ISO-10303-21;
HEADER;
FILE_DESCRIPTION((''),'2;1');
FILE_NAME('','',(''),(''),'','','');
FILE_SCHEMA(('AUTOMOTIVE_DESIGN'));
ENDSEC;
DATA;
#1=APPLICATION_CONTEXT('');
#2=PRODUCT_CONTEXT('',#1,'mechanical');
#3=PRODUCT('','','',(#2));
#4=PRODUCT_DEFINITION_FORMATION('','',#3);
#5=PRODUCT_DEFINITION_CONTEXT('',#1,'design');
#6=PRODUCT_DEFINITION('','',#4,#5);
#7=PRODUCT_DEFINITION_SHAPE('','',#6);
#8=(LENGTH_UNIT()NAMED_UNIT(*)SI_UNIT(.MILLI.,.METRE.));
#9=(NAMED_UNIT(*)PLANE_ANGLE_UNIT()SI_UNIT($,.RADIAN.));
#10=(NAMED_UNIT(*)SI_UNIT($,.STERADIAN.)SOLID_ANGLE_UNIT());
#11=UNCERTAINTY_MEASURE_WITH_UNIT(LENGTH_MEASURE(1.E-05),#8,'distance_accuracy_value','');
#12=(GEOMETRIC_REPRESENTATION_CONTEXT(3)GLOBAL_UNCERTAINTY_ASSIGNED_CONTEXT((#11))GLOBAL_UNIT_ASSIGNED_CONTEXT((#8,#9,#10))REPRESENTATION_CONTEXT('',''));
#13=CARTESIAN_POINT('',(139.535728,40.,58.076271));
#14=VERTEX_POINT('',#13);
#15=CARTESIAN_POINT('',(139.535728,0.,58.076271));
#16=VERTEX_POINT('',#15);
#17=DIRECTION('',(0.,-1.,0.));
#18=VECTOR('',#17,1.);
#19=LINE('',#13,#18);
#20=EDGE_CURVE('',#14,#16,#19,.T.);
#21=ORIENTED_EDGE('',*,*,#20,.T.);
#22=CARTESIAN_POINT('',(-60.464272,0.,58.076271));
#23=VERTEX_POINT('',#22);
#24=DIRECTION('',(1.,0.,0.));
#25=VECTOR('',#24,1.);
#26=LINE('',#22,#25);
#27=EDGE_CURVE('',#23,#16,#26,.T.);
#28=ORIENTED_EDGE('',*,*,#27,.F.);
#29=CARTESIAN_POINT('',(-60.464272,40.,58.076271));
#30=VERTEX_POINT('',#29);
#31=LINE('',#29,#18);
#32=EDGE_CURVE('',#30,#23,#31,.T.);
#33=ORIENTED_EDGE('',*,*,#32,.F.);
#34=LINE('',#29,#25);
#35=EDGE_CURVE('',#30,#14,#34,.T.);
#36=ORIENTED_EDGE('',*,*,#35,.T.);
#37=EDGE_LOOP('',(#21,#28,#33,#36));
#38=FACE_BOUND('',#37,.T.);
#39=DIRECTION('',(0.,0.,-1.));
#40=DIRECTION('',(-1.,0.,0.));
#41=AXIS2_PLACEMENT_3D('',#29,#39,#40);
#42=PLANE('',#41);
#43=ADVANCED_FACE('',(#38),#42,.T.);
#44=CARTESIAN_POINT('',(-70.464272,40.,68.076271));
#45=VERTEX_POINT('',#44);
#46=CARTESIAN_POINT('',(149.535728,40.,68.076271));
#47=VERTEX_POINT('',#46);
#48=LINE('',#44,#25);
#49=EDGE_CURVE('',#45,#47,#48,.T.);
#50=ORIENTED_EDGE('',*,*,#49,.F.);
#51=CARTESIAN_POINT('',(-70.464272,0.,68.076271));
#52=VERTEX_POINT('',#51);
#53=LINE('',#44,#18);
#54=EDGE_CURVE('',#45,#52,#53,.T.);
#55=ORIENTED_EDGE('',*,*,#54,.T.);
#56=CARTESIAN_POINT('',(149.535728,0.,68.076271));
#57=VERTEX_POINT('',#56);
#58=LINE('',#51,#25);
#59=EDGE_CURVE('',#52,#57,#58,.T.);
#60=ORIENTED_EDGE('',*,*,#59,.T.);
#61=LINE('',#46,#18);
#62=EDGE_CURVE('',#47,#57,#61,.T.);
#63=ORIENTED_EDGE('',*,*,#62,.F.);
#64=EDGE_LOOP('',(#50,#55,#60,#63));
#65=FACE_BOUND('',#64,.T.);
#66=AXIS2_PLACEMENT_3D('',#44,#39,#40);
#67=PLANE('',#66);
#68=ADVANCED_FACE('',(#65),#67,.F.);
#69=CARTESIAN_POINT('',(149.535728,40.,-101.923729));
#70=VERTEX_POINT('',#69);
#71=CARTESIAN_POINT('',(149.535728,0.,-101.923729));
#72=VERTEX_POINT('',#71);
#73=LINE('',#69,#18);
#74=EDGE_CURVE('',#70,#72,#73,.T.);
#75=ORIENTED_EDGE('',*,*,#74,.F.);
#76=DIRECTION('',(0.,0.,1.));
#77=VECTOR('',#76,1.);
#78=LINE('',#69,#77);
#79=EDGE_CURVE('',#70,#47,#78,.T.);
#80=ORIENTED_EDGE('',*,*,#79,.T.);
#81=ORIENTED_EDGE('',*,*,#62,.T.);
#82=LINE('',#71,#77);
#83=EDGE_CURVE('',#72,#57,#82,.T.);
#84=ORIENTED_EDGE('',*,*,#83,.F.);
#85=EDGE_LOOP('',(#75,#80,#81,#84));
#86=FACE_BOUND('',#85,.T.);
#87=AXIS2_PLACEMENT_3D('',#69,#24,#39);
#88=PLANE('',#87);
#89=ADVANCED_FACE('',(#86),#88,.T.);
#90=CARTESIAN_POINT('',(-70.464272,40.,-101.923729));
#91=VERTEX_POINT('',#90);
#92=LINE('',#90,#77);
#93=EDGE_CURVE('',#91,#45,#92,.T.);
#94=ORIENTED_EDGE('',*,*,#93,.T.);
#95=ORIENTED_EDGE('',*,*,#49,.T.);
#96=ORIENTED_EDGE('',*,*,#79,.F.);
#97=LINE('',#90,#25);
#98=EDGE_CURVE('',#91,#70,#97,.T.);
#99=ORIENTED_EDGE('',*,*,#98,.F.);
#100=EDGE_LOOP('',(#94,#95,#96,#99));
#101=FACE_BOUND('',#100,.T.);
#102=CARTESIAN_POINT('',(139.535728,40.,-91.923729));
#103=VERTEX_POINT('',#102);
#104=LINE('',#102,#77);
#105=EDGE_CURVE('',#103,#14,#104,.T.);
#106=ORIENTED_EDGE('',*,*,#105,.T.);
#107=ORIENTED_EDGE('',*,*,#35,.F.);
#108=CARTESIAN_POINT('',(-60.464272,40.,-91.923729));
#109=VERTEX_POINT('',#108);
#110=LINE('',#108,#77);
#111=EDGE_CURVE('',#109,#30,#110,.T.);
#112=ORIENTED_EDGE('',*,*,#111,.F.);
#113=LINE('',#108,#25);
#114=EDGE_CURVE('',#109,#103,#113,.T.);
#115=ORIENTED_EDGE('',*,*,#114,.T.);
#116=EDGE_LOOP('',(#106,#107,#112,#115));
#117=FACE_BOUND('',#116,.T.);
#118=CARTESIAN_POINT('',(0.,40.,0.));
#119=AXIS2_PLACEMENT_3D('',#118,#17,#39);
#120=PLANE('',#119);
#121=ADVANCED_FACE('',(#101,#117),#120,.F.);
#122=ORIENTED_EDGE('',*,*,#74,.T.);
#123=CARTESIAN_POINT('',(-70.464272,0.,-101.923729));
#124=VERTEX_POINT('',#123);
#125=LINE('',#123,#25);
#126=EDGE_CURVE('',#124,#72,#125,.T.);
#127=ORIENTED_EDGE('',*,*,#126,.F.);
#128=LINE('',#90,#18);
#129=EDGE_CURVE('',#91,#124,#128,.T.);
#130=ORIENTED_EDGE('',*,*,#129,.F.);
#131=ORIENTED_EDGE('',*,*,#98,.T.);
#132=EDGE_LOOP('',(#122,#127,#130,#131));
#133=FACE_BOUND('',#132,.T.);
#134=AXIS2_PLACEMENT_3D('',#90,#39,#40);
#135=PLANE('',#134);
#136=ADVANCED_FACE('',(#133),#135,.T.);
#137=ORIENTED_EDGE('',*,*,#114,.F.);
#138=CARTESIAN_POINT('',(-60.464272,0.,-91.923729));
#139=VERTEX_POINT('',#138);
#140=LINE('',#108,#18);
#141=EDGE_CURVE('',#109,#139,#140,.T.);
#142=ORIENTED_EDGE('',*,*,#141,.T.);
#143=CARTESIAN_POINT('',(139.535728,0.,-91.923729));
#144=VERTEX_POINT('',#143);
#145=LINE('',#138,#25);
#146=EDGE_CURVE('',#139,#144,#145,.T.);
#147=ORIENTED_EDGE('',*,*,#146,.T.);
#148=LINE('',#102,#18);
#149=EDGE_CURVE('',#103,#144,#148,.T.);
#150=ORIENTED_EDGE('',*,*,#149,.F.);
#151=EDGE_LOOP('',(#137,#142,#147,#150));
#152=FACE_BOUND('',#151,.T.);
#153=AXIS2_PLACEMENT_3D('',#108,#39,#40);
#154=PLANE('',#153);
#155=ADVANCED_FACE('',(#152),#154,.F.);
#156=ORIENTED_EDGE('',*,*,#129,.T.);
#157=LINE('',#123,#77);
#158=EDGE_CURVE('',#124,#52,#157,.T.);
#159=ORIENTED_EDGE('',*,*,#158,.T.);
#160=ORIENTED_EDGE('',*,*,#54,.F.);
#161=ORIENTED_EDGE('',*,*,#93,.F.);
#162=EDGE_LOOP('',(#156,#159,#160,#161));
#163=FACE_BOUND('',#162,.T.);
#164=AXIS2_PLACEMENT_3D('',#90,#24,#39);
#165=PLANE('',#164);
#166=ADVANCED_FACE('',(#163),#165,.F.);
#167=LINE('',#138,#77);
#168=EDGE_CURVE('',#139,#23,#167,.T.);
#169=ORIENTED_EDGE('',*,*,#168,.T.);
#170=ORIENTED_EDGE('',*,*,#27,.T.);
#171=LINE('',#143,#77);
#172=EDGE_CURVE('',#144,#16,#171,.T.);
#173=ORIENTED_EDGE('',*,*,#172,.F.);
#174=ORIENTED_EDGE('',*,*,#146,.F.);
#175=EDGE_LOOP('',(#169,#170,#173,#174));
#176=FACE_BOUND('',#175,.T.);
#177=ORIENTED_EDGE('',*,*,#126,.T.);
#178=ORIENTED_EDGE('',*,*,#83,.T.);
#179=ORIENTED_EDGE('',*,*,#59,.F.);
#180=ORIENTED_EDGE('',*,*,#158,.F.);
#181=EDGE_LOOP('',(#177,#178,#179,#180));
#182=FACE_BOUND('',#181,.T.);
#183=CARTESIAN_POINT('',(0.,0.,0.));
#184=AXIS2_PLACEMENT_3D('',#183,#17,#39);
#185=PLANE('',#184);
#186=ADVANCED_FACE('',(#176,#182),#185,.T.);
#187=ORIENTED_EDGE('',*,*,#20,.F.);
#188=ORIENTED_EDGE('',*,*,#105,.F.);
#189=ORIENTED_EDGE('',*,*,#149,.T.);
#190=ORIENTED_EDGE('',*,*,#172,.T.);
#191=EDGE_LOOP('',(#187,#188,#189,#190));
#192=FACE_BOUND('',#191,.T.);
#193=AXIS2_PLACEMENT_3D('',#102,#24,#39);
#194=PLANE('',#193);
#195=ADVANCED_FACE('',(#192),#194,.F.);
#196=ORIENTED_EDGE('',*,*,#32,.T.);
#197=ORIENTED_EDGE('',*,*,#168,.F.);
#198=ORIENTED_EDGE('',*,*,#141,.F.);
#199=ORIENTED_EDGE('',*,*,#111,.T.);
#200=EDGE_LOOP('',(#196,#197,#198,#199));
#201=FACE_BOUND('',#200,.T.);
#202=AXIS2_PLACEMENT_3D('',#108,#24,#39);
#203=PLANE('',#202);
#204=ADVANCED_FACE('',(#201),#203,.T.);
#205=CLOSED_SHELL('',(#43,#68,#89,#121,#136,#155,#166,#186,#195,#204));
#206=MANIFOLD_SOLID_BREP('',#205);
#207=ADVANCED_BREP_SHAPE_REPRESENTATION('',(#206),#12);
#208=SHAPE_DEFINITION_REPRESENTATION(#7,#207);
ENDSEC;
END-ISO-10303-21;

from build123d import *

# Parameters (mm, degrees)
SKETCH1_W           = 220
SKETCH1_H           = 170
SKETCH1_W_2         = 200
SKETCH1_H_2         = 150
BOSS_EXTRUDE1_DEPTH = 40


with BuildPart() as part:
    # Sketch1 → Boss-Extrude1 (new body)
    with BuildSketch(Plane(origin=(0, 0, 0), x_dir=(1, 0, 0), z_dir=(0, 1, 0))):
        with Locations((39.535727726, 16.923728896)):
            Rectangle(SKETCH1_W, SKETCH1_H)
        with Locations((39.535727726, 16.923728896)):
            Rectangle(SKETCH1_W_2, SKETCH1_H_2, mode=Mode.SUBTRACT)
    extrude(amount=BOSS_EXTRUDE1_DEPTH)


solid = part.part
